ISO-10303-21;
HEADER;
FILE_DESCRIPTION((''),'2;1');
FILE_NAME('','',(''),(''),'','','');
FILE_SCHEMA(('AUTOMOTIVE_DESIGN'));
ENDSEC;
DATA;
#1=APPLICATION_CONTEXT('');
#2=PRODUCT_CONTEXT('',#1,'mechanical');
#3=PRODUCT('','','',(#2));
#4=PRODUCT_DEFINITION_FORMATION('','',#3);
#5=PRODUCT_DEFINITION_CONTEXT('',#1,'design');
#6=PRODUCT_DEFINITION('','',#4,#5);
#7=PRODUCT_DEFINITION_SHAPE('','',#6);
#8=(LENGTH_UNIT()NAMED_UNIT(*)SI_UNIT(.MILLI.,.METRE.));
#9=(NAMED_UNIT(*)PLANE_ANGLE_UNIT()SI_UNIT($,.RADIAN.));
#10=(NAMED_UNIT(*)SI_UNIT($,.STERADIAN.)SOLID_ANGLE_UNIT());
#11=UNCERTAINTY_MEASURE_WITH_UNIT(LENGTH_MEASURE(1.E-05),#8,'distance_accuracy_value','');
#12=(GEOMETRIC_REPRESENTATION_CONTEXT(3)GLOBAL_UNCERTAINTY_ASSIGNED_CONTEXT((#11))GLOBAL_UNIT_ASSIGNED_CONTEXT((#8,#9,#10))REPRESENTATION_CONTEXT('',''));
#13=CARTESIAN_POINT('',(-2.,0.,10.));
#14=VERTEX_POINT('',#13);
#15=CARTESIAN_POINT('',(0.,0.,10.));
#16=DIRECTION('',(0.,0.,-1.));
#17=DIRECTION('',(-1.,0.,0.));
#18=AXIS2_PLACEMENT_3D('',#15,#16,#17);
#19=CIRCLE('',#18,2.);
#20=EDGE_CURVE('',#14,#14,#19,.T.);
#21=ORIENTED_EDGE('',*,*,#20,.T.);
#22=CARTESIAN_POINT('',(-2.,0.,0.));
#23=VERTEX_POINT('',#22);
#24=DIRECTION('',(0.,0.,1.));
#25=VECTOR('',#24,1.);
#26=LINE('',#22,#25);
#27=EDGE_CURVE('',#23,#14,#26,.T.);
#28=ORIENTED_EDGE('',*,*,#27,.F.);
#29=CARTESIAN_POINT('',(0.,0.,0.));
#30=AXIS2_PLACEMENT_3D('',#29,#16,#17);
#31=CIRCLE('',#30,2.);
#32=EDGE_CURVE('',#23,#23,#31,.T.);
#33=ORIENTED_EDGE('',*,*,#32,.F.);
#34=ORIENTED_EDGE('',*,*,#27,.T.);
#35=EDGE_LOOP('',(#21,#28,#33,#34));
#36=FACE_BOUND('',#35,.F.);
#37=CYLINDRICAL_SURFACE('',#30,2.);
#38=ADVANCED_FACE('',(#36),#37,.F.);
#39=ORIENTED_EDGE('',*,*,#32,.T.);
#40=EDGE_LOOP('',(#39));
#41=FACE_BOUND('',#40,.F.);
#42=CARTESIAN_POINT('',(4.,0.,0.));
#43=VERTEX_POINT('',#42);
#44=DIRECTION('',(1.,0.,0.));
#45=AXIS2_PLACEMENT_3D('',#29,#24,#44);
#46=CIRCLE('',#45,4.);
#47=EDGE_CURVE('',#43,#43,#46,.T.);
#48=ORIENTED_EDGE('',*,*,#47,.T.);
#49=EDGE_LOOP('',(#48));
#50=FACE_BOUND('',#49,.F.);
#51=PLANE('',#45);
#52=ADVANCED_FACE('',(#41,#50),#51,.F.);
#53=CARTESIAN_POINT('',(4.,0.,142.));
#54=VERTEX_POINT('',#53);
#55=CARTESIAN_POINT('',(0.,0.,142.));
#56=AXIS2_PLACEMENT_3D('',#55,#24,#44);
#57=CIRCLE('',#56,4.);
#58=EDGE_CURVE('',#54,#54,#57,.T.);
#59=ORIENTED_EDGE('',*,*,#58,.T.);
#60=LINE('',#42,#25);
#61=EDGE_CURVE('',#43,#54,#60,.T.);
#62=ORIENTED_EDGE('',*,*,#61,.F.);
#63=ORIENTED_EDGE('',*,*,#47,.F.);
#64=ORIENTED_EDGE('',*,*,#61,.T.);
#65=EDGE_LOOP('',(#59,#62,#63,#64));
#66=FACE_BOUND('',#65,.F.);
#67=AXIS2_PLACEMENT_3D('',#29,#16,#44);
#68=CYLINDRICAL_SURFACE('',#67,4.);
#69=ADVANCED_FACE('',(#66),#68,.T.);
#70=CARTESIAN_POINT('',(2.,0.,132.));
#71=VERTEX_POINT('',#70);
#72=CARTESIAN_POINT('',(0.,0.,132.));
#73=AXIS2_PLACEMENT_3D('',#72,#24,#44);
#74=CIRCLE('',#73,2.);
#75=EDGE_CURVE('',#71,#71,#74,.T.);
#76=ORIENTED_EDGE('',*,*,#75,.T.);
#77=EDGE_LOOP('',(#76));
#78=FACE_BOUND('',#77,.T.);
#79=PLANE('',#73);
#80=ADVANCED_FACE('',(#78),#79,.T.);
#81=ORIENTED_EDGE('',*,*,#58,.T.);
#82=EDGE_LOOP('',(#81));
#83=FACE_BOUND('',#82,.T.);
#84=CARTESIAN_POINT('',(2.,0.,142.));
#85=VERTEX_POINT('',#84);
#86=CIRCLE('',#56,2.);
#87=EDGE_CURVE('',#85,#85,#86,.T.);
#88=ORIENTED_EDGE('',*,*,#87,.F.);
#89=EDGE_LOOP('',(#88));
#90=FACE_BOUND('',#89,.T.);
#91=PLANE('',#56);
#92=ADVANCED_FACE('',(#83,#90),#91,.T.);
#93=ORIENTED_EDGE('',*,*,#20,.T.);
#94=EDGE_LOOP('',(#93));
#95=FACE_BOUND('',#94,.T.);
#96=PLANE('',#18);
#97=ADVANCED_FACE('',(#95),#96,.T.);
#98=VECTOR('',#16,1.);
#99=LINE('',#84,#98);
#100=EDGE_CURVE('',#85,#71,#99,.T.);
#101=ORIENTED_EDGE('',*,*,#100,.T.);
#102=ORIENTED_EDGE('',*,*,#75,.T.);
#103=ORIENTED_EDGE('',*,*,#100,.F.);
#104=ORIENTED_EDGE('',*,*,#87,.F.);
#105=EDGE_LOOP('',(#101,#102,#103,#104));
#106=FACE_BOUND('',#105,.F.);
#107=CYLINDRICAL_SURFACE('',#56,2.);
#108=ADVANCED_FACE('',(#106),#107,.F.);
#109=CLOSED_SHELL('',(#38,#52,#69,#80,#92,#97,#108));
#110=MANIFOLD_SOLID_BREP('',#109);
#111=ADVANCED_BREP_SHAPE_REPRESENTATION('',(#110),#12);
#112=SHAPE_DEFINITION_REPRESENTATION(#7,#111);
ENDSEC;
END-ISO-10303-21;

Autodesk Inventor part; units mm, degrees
ref_plane "YZ Plane" through (0, 0, 0) normal (1, 0, 0) x (0, 1, 0)
ref_plane "XZ Plane" through (0, 0, 0) normal (0, 1, 0) x (-1, 0, 0)
ref_plane "XY Plane" through (0, 0, 0) normal (0, 0, 1) x (1, 0, 0)
sketch "スケッチ1" plane through (0, 0, 0) normal (0, 0, 1) x (1, 0, 0)
  circle A0 centre (0, 0) radius 4
  dimension "d0" = 8
extrude "押し出し1" add sketch "スケッチ1" along normal blind 142
sketch "スケッチ2" plane through (0, 0, 142) normal (0, 0, 1) x (1, 0, 0)
  circle A0 centre (0, 0) radius 2
  dimension "d3" = 4
extrude "押し出し2" cut sketch "スケッチ2" against normal blind 10
sketch "スケッチ3" plane through (0, 0, 0) normal (0, 0, -1) x (-1, 0, 0)
  circle A0 centre (0, 0) radius 2
  dimension "d6" = 4
extrude "押し出し3" cut sketch "スケッチ3" against normal blind 10
thread "ねじ1" size "M4x0.7" class "6H" standard "ANSI Metric M Profile" full length
thread "ねじ2" size "M4x0.7" class "6H" standard "ANSI Metric M Profile" full length
properties part number "シャフト" material "ポリカーボネート、スモーク"
